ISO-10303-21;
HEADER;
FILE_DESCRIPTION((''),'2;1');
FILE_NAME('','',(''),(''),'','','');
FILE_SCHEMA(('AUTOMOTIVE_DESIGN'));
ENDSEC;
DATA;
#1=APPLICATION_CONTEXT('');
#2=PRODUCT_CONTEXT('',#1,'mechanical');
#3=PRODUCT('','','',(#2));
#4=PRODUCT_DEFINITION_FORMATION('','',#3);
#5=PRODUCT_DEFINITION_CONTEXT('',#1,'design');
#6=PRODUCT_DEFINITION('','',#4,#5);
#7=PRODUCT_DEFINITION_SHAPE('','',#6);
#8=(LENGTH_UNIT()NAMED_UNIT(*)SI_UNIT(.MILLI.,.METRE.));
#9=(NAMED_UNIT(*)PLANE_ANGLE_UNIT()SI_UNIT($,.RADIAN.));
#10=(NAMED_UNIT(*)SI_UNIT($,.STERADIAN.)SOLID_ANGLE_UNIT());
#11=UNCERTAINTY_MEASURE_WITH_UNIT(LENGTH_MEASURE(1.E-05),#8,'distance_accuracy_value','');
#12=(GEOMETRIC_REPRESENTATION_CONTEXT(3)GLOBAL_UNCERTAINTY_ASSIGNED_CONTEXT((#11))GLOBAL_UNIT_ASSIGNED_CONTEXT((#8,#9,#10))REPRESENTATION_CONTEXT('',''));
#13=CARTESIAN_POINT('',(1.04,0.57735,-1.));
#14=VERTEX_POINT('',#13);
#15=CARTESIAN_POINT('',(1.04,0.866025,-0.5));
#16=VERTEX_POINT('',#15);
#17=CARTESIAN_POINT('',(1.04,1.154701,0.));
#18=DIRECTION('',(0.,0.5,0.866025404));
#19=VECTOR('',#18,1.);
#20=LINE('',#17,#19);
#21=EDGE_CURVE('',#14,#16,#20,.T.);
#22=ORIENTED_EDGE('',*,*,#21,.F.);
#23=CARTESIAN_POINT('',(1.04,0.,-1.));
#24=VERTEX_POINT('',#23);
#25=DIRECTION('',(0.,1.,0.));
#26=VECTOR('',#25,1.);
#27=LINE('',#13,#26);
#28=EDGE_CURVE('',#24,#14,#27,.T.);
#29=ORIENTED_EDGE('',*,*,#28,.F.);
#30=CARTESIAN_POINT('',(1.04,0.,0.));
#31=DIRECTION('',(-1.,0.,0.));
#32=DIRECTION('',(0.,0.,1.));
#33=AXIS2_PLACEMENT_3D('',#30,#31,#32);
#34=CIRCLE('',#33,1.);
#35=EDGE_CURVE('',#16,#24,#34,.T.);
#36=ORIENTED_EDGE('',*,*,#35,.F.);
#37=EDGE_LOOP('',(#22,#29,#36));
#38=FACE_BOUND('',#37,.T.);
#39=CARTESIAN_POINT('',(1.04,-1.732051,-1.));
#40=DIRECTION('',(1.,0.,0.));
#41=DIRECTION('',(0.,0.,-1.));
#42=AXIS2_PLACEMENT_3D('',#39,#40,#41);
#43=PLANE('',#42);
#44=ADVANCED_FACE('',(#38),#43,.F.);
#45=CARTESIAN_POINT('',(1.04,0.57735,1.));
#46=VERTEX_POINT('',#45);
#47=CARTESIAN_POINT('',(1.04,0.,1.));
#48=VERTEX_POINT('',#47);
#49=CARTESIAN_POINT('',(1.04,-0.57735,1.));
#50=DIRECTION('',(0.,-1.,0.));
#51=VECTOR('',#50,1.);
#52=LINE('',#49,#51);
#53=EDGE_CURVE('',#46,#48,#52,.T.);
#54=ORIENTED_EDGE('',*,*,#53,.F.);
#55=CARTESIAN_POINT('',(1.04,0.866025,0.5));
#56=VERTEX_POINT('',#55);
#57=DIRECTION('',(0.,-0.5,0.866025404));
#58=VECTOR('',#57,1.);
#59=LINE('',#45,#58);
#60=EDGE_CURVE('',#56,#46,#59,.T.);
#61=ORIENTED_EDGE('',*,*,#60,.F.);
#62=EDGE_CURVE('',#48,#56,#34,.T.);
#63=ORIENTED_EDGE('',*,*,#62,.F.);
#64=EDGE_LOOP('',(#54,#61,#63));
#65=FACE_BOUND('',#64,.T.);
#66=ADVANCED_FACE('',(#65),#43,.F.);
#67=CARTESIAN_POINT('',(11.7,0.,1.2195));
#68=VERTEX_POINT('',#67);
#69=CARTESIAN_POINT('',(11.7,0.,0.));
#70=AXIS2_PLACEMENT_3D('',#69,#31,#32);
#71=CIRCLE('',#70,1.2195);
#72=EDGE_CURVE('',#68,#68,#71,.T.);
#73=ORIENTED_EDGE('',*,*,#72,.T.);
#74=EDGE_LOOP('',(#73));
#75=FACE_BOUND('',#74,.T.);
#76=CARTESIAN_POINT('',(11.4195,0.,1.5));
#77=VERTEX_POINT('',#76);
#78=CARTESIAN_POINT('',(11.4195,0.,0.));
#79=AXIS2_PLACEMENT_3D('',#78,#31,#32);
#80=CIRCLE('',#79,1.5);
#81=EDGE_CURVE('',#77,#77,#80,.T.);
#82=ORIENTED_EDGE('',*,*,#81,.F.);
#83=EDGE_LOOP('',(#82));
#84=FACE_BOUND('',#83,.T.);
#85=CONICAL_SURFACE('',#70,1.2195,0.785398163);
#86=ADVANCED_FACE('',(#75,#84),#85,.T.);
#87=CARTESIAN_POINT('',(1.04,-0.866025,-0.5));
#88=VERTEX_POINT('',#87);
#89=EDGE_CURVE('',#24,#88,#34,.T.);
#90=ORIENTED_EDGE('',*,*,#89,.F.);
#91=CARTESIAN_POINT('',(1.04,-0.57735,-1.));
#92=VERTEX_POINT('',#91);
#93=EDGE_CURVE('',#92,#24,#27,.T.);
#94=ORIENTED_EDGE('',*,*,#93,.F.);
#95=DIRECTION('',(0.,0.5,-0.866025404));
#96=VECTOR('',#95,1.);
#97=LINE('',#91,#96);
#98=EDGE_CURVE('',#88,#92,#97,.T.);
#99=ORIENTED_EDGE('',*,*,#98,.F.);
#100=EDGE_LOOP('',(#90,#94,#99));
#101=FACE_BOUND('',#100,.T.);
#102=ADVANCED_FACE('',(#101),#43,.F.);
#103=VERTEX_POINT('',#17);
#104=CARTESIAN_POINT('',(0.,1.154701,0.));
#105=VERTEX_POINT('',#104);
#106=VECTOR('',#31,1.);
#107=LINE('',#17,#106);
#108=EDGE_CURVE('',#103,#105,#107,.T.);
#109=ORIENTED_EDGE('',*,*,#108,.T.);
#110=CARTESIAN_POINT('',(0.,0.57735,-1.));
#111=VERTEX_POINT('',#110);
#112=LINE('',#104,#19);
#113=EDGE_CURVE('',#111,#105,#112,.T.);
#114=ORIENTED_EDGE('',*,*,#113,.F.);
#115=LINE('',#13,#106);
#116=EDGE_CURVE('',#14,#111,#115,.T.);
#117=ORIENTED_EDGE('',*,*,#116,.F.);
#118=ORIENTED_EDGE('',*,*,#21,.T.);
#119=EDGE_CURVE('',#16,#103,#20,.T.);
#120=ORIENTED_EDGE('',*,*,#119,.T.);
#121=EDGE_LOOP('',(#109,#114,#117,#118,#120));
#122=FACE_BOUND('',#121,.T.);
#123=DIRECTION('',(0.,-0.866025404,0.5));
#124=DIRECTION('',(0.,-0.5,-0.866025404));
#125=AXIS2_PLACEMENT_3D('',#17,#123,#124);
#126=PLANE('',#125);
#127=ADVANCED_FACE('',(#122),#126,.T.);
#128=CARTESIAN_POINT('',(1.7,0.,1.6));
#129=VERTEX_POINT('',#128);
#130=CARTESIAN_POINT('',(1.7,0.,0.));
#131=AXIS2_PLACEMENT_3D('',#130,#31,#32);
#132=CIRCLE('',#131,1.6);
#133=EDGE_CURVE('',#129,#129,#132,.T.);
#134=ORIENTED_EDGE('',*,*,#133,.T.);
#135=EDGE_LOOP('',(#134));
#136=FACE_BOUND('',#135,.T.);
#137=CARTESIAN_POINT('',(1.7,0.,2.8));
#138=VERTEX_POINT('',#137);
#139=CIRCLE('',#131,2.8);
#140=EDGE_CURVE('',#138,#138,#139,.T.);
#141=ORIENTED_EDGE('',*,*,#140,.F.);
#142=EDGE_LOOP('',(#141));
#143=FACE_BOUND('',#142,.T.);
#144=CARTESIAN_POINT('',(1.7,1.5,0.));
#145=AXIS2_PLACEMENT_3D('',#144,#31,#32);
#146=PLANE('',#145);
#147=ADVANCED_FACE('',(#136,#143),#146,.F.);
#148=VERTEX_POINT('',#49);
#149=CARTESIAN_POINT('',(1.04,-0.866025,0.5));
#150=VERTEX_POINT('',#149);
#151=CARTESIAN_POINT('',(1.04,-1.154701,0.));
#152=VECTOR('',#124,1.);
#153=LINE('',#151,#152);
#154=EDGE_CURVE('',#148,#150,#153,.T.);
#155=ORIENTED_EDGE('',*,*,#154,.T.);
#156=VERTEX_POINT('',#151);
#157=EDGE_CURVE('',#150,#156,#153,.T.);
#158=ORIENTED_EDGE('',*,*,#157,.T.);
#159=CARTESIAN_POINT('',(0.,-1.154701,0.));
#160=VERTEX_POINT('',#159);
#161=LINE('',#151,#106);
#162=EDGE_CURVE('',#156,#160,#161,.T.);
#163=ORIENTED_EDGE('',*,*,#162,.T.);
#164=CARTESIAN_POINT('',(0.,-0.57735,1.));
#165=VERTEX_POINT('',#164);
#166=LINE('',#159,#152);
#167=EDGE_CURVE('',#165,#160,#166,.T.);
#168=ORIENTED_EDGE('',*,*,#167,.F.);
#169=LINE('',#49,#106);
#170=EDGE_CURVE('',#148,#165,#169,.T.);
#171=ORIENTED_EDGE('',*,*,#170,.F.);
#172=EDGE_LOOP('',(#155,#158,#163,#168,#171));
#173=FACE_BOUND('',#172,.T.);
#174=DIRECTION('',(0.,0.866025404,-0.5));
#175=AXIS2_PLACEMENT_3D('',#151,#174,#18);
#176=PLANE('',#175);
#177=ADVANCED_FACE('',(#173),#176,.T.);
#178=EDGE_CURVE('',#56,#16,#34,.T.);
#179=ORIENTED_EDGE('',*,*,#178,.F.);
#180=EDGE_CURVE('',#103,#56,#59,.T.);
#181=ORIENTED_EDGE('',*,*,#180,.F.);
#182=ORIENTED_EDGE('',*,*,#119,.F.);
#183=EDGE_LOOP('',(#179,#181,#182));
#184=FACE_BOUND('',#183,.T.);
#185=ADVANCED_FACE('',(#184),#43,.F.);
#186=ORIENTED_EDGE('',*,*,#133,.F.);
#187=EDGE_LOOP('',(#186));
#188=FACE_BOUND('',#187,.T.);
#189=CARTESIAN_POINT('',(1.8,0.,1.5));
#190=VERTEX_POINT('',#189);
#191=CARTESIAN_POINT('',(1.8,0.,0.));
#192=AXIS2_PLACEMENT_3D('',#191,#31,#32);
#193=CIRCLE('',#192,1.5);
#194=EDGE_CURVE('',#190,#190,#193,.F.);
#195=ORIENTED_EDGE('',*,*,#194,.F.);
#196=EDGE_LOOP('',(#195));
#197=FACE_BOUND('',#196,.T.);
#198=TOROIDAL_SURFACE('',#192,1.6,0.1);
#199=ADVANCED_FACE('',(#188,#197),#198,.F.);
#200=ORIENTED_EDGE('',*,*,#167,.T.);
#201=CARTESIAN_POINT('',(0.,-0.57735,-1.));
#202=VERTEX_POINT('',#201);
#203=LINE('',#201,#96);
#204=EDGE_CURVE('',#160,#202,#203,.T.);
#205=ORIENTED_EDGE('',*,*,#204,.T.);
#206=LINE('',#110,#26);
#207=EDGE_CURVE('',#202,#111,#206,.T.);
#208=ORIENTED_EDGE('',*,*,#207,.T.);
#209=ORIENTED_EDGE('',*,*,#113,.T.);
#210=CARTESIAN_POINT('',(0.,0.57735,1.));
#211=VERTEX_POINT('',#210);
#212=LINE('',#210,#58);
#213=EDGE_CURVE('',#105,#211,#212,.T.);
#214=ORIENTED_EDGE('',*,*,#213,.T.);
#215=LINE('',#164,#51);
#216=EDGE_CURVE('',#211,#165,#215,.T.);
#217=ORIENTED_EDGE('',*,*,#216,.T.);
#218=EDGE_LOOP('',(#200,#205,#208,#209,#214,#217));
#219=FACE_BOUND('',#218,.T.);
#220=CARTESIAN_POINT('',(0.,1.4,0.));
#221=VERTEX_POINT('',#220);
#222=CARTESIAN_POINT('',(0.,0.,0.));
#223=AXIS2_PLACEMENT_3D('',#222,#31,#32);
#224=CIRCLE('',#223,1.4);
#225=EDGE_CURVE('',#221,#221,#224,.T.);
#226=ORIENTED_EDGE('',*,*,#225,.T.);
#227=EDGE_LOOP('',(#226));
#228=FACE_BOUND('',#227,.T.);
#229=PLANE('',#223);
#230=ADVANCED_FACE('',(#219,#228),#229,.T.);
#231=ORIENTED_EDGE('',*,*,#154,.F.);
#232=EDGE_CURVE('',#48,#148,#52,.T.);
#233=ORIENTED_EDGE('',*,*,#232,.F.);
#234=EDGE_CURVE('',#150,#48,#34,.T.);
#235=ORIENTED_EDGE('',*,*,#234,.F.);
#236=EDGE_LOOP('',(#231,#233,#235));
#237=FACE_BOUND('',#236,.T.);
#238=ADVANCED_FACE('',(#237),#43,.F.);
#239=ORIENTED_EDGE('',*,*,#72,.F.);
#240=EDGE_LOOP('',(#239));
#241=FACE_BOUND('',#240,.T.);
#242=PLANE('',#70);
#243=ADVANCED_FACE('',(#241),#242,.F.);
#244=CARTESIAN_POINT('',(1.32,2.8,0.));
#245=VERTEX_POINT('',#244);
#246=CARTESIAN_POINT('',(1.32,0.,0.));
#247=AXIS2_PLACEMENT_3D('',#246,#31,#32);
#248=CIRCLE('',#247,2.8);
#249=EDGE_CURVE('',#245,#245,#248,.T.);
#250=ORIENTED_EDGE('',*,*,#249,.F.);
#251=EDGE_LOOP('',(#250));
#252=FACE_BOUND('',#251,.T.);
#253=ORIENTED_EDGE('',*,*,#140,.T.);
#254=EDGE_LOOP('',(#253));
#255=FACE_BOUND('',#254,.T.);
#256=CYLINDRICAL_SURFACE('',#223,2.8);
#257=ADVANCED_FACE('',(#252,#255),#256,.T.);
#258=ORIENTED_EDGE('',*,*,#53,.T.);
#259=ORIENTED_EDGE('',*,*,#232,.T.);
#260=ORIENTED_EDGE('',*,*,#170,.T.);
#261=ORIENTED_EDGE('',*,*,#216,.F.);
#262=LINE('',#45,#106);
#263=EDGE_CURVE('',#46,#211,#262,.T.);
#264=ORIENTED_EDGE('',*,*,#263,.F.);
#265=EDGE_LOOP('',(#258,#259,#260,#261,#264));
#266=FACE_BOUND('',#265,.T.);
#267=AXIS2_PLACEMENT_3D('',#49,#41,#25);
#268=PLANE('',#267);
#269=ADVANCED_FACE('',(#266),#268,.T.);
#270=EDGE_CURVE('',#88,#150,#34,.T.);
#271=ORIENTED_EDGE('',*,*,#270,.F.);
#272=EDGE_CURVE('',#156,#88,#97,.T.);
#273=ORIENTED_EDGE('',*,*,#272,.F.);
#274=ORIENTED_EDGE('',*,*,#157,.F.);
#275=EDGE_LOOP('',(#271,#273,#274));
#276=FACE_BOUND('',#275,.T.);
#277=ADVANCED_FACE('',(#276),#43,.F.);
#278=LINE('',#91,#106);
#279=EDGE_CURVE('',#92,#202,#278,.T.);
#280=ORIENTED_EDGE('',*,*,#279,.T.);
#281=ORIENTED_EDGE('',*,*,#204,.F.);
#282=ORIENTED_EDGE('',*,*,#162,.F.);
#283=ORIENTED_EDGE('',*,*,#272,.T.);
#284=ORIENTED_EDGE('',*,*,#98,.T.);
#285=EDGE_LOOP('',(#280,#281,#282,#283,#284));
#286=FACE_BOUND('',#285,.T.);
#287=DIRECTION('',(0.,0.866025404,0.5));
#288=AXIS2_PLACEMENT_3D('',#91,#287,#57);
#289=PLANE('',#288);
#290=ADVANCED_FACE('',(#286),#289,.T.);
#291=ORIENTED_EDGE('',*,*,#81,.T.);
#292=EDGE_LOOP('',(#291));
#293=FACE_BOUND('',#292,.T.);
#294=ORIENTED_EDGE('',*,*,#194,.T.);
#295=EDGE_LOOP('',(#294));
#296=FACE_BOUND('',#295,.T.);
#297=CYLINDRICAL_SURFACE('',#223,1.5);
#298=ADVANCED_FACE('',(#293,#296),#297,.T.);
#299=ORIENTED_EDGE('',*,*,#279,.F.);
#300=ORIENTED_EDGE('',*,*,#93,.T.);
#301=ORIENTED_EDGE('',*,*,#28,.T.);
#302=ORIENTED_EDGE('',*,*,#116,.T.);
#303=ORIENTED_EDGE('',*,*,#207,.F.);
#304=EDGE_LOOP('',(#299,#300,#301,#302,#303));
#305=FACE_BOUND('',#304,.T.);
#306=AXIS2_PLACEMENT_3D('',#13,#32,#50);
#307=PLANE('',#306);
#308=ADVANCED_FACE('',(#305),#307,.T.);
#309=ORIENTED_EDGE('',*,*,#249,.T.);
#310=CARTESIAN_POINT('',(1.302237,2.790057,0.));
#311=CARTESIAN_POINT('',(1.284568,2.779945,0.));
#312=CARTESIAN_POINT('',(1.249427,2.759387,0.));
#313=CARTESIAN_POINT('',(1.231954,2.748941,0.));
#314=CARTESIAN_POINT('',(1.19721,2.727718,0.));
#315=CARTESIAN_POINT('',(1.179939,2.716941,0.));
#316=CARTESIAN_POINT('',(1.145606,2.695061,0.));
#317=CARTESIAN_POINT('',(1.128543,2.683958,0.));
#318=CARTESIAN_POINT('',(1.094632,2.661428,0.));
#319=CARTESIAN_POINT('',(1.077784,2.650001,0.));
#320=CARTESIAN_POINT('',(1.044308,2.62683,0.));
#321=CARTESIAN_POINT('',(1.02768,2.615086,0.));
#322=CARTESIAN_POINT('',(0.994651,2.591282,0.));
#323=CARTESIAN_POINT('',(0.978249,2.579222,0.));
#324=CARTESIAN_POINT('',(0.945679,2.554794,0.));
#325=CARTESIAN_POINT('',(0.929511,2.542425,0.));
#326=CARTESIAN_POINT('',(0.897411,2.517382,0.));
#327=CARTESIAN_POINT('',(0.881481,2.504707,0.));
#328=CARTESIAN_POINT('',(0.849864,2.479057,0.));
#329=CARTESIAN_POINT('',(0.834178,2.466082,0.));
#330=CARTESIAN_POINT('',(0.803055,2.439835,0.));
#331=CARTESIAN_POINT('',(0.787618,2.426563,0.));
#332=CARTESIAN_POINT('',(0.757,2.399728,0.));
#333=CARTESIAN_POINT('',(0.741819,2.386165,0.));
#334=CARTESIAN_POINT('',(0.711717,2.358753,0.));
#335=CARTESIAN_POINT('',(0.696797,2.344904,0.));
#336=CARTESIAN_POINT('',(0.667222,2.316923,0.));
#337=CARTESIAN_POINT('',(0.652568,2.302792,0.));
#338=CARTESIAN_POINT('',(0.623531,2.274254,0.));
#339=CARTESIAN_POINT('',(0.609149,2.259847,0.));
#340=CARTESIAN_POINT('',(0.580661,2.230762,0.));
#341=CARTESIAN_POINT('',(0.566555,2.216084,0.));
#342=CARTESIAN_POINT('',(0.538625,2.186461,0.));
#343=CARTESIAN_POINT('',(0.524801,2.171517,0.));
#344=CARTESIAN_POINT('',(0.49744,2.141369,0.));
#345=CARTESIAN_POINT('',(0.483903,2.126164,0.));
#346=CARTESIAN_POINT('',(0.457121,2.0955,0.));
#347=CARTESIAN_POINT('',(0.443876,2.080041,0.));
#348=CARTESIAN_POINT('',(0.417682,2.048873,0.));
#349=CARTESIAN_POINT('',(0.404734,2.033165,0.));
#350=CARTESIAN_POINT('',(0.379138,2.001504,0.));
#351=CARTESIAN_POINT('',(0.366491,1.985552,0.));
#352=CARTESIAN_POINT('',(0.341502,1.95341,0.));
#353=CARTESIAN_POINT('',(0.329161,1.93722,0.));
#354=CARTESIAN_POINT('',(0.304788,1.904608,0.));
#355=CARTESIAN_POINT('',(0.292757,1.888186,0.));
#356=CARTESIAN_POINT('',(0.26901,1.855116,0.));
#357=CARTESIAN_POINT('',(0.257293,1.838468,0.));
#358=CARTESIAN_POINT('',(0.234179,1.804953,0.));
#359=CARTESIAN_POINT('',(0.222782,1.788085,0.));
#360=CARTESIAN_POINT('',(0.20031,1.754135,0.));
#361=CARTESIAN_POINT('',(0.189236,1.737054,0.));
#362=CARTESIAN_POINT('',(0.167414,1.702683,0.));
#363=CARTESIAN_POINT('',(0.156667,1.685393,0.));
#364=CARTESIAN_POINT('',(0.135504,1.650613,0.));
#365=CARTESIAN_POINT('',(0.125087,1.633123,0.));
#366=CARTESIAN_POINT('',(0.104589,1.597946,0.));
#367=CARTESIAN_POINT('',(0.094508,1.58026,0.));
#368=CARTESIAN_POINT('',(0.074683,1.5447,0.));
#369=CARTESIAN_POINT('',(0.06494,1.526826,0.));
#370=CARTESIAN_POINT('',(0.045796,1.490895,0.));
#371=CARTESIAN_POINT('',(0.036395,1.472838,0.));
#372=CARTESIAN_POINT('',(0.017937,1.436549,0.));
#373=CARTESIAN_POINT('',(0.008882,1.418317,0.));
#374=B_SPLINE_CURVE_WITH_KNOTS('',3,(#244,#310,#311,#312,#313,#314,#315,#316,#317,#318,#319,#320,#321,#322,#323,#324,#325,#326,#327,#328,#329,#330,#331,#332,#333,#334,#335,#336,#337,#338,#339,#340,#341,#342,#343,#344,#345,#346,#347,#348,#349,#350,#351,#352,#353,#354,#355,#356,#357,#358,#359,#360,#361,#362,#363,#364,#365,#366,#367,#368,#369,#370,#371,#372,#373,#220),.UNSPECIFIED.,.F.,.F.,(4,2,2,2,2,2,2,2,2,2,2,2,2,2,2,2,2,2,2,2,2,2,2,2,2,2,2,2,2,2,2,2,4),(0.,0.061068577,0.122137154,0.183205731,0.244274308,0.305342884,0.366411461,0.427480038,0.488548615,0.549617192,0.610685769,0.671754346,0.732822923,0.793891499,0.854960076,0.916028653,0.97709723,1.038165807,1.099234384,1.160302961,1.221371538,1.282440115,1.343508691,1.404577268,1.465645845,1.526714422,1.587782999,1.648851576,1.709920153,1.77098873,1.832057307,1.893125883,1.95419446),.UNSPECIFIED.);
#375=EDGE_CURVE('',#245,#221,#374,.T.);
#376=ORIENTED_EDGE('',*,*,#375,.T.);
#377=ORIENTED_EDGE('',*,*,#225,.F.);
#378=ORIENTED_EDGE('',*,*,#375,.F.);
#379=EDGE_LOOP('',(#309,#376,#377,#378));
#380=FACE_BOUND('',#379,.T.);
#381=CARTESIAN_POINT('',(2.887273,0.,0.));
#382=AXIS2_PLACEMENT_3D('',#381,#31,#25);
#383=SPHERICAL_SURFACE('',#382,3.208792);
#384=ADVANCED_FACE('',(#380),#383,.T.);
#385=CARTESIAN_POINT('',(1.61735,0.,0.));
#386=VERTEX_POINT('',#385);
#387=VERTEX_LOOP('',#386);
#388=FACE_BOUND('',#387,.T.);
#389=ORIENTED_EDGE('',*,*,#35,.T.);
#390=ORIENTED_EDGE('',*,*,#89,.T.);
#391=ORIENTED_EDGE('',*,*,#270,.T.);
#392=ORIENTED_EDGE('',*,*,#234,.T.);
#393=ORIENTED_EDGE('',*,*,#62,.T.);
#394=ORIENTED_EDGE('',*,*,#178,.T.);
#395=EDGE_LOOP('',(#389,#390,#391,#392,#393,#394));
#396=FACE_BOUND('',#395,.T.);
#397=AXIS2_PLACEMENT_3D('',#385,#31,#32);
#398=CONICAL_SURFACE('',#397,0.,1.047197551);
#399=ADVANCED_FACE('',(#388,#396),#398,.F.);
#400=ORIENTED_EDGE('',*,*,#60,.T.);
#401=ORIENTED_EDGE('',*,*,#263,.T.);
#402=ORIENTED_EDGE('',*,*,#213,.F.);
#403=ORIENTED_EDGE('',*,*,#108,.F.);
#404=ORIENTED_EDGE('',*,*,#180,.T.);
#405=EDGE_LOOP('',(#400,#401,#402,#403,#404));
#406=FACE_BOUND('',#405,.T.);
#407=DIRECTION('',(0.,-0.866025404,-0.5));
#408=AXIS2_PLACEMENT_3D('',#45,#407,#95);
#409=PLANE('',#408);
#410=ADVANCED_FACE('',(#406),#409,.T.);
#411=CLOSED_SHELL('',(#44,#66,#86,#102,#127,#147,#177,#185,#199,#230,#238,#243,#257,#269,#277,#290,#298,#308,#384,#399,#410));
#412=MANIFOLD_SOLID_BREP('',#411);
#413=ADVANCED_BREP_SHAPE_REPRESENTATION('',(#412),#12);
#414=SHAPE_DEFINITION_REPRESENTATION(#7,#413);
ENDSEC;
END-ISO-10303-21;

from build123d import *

# Parameters (mm, degrees)
FILLET1_R   = 0.1
HEX_2_DEPTH = 1.04


with BuildPart() as part:
    # BodySke → BaseBody (revolve)
    with BuildSketch(Plane.XY, mode=Mode.PRIVATE) as basebody_sk:
        with BuildLine():
            Line((11.7, 0), (11.7, 1.2195))
            Line((11.7, 1.2195), (11.4195, 1.5))
            Line((11.4195, 1.5), (1.7, 1.5))
            Line((1.7, 1.5), (1.7, 2.8))
            Line((1.7, 2.8), (1.32, 2.8))
            ThreePointArc((1.32, 2.8), (0.552589922, 2.201272359), (0, 1.4))
            Line((0, 1.4), (0, 0))
            Line((0, 0), (11.7, 0))
        make_face()
    revolve(basebody_sk.sketch.rotate(Axis((0, 0, 0), (1, 0, 0)), 90), axis=Axis((0, 0, 0), (1, 0, 0)))

    # Fillet1
    fillet1_edges = [part.edges().sort_by_distance(p)[0] for p in [
        (1.7, 0, -1.5),
    ]]
    fillet(fillet1_edges, radius=FILLET1_R)

    # Sketch2 → PreBroach (revolve, cut)
    with BuildSketch(Plane.XY, mode=Mode.PRIVATE) as prebroach_sk:
        Polygon((0, 1), (1.04, 1), (1.617350269, 0), (0, 0), align=None)
    revolve(prebroach_sk.sketch.rotate(Axis((0, 0, 0), (1, 0, 0)), 90), axis=Axis((0, 0, 0), (1, 0, 0)), mode=Mode.SUBTRACT)

    # Sketch3 → Hex 2 (cut)
    with BuildSketch(Plane(origin=(0, 0, 0), x_dir=(0, 0, -1), z_dir=(1, 0, 0))):
        Polygon((-1, -0.577350269), (-1, 0.577350269), (0, 1.154700538), (1, 0.577350269), (1, -0.577350269), (0, -1.154700538), align=None)
    extrude(amount=HEX_2_DEPTH, mode=Mode.SUBTRACT)


solid = part.part
